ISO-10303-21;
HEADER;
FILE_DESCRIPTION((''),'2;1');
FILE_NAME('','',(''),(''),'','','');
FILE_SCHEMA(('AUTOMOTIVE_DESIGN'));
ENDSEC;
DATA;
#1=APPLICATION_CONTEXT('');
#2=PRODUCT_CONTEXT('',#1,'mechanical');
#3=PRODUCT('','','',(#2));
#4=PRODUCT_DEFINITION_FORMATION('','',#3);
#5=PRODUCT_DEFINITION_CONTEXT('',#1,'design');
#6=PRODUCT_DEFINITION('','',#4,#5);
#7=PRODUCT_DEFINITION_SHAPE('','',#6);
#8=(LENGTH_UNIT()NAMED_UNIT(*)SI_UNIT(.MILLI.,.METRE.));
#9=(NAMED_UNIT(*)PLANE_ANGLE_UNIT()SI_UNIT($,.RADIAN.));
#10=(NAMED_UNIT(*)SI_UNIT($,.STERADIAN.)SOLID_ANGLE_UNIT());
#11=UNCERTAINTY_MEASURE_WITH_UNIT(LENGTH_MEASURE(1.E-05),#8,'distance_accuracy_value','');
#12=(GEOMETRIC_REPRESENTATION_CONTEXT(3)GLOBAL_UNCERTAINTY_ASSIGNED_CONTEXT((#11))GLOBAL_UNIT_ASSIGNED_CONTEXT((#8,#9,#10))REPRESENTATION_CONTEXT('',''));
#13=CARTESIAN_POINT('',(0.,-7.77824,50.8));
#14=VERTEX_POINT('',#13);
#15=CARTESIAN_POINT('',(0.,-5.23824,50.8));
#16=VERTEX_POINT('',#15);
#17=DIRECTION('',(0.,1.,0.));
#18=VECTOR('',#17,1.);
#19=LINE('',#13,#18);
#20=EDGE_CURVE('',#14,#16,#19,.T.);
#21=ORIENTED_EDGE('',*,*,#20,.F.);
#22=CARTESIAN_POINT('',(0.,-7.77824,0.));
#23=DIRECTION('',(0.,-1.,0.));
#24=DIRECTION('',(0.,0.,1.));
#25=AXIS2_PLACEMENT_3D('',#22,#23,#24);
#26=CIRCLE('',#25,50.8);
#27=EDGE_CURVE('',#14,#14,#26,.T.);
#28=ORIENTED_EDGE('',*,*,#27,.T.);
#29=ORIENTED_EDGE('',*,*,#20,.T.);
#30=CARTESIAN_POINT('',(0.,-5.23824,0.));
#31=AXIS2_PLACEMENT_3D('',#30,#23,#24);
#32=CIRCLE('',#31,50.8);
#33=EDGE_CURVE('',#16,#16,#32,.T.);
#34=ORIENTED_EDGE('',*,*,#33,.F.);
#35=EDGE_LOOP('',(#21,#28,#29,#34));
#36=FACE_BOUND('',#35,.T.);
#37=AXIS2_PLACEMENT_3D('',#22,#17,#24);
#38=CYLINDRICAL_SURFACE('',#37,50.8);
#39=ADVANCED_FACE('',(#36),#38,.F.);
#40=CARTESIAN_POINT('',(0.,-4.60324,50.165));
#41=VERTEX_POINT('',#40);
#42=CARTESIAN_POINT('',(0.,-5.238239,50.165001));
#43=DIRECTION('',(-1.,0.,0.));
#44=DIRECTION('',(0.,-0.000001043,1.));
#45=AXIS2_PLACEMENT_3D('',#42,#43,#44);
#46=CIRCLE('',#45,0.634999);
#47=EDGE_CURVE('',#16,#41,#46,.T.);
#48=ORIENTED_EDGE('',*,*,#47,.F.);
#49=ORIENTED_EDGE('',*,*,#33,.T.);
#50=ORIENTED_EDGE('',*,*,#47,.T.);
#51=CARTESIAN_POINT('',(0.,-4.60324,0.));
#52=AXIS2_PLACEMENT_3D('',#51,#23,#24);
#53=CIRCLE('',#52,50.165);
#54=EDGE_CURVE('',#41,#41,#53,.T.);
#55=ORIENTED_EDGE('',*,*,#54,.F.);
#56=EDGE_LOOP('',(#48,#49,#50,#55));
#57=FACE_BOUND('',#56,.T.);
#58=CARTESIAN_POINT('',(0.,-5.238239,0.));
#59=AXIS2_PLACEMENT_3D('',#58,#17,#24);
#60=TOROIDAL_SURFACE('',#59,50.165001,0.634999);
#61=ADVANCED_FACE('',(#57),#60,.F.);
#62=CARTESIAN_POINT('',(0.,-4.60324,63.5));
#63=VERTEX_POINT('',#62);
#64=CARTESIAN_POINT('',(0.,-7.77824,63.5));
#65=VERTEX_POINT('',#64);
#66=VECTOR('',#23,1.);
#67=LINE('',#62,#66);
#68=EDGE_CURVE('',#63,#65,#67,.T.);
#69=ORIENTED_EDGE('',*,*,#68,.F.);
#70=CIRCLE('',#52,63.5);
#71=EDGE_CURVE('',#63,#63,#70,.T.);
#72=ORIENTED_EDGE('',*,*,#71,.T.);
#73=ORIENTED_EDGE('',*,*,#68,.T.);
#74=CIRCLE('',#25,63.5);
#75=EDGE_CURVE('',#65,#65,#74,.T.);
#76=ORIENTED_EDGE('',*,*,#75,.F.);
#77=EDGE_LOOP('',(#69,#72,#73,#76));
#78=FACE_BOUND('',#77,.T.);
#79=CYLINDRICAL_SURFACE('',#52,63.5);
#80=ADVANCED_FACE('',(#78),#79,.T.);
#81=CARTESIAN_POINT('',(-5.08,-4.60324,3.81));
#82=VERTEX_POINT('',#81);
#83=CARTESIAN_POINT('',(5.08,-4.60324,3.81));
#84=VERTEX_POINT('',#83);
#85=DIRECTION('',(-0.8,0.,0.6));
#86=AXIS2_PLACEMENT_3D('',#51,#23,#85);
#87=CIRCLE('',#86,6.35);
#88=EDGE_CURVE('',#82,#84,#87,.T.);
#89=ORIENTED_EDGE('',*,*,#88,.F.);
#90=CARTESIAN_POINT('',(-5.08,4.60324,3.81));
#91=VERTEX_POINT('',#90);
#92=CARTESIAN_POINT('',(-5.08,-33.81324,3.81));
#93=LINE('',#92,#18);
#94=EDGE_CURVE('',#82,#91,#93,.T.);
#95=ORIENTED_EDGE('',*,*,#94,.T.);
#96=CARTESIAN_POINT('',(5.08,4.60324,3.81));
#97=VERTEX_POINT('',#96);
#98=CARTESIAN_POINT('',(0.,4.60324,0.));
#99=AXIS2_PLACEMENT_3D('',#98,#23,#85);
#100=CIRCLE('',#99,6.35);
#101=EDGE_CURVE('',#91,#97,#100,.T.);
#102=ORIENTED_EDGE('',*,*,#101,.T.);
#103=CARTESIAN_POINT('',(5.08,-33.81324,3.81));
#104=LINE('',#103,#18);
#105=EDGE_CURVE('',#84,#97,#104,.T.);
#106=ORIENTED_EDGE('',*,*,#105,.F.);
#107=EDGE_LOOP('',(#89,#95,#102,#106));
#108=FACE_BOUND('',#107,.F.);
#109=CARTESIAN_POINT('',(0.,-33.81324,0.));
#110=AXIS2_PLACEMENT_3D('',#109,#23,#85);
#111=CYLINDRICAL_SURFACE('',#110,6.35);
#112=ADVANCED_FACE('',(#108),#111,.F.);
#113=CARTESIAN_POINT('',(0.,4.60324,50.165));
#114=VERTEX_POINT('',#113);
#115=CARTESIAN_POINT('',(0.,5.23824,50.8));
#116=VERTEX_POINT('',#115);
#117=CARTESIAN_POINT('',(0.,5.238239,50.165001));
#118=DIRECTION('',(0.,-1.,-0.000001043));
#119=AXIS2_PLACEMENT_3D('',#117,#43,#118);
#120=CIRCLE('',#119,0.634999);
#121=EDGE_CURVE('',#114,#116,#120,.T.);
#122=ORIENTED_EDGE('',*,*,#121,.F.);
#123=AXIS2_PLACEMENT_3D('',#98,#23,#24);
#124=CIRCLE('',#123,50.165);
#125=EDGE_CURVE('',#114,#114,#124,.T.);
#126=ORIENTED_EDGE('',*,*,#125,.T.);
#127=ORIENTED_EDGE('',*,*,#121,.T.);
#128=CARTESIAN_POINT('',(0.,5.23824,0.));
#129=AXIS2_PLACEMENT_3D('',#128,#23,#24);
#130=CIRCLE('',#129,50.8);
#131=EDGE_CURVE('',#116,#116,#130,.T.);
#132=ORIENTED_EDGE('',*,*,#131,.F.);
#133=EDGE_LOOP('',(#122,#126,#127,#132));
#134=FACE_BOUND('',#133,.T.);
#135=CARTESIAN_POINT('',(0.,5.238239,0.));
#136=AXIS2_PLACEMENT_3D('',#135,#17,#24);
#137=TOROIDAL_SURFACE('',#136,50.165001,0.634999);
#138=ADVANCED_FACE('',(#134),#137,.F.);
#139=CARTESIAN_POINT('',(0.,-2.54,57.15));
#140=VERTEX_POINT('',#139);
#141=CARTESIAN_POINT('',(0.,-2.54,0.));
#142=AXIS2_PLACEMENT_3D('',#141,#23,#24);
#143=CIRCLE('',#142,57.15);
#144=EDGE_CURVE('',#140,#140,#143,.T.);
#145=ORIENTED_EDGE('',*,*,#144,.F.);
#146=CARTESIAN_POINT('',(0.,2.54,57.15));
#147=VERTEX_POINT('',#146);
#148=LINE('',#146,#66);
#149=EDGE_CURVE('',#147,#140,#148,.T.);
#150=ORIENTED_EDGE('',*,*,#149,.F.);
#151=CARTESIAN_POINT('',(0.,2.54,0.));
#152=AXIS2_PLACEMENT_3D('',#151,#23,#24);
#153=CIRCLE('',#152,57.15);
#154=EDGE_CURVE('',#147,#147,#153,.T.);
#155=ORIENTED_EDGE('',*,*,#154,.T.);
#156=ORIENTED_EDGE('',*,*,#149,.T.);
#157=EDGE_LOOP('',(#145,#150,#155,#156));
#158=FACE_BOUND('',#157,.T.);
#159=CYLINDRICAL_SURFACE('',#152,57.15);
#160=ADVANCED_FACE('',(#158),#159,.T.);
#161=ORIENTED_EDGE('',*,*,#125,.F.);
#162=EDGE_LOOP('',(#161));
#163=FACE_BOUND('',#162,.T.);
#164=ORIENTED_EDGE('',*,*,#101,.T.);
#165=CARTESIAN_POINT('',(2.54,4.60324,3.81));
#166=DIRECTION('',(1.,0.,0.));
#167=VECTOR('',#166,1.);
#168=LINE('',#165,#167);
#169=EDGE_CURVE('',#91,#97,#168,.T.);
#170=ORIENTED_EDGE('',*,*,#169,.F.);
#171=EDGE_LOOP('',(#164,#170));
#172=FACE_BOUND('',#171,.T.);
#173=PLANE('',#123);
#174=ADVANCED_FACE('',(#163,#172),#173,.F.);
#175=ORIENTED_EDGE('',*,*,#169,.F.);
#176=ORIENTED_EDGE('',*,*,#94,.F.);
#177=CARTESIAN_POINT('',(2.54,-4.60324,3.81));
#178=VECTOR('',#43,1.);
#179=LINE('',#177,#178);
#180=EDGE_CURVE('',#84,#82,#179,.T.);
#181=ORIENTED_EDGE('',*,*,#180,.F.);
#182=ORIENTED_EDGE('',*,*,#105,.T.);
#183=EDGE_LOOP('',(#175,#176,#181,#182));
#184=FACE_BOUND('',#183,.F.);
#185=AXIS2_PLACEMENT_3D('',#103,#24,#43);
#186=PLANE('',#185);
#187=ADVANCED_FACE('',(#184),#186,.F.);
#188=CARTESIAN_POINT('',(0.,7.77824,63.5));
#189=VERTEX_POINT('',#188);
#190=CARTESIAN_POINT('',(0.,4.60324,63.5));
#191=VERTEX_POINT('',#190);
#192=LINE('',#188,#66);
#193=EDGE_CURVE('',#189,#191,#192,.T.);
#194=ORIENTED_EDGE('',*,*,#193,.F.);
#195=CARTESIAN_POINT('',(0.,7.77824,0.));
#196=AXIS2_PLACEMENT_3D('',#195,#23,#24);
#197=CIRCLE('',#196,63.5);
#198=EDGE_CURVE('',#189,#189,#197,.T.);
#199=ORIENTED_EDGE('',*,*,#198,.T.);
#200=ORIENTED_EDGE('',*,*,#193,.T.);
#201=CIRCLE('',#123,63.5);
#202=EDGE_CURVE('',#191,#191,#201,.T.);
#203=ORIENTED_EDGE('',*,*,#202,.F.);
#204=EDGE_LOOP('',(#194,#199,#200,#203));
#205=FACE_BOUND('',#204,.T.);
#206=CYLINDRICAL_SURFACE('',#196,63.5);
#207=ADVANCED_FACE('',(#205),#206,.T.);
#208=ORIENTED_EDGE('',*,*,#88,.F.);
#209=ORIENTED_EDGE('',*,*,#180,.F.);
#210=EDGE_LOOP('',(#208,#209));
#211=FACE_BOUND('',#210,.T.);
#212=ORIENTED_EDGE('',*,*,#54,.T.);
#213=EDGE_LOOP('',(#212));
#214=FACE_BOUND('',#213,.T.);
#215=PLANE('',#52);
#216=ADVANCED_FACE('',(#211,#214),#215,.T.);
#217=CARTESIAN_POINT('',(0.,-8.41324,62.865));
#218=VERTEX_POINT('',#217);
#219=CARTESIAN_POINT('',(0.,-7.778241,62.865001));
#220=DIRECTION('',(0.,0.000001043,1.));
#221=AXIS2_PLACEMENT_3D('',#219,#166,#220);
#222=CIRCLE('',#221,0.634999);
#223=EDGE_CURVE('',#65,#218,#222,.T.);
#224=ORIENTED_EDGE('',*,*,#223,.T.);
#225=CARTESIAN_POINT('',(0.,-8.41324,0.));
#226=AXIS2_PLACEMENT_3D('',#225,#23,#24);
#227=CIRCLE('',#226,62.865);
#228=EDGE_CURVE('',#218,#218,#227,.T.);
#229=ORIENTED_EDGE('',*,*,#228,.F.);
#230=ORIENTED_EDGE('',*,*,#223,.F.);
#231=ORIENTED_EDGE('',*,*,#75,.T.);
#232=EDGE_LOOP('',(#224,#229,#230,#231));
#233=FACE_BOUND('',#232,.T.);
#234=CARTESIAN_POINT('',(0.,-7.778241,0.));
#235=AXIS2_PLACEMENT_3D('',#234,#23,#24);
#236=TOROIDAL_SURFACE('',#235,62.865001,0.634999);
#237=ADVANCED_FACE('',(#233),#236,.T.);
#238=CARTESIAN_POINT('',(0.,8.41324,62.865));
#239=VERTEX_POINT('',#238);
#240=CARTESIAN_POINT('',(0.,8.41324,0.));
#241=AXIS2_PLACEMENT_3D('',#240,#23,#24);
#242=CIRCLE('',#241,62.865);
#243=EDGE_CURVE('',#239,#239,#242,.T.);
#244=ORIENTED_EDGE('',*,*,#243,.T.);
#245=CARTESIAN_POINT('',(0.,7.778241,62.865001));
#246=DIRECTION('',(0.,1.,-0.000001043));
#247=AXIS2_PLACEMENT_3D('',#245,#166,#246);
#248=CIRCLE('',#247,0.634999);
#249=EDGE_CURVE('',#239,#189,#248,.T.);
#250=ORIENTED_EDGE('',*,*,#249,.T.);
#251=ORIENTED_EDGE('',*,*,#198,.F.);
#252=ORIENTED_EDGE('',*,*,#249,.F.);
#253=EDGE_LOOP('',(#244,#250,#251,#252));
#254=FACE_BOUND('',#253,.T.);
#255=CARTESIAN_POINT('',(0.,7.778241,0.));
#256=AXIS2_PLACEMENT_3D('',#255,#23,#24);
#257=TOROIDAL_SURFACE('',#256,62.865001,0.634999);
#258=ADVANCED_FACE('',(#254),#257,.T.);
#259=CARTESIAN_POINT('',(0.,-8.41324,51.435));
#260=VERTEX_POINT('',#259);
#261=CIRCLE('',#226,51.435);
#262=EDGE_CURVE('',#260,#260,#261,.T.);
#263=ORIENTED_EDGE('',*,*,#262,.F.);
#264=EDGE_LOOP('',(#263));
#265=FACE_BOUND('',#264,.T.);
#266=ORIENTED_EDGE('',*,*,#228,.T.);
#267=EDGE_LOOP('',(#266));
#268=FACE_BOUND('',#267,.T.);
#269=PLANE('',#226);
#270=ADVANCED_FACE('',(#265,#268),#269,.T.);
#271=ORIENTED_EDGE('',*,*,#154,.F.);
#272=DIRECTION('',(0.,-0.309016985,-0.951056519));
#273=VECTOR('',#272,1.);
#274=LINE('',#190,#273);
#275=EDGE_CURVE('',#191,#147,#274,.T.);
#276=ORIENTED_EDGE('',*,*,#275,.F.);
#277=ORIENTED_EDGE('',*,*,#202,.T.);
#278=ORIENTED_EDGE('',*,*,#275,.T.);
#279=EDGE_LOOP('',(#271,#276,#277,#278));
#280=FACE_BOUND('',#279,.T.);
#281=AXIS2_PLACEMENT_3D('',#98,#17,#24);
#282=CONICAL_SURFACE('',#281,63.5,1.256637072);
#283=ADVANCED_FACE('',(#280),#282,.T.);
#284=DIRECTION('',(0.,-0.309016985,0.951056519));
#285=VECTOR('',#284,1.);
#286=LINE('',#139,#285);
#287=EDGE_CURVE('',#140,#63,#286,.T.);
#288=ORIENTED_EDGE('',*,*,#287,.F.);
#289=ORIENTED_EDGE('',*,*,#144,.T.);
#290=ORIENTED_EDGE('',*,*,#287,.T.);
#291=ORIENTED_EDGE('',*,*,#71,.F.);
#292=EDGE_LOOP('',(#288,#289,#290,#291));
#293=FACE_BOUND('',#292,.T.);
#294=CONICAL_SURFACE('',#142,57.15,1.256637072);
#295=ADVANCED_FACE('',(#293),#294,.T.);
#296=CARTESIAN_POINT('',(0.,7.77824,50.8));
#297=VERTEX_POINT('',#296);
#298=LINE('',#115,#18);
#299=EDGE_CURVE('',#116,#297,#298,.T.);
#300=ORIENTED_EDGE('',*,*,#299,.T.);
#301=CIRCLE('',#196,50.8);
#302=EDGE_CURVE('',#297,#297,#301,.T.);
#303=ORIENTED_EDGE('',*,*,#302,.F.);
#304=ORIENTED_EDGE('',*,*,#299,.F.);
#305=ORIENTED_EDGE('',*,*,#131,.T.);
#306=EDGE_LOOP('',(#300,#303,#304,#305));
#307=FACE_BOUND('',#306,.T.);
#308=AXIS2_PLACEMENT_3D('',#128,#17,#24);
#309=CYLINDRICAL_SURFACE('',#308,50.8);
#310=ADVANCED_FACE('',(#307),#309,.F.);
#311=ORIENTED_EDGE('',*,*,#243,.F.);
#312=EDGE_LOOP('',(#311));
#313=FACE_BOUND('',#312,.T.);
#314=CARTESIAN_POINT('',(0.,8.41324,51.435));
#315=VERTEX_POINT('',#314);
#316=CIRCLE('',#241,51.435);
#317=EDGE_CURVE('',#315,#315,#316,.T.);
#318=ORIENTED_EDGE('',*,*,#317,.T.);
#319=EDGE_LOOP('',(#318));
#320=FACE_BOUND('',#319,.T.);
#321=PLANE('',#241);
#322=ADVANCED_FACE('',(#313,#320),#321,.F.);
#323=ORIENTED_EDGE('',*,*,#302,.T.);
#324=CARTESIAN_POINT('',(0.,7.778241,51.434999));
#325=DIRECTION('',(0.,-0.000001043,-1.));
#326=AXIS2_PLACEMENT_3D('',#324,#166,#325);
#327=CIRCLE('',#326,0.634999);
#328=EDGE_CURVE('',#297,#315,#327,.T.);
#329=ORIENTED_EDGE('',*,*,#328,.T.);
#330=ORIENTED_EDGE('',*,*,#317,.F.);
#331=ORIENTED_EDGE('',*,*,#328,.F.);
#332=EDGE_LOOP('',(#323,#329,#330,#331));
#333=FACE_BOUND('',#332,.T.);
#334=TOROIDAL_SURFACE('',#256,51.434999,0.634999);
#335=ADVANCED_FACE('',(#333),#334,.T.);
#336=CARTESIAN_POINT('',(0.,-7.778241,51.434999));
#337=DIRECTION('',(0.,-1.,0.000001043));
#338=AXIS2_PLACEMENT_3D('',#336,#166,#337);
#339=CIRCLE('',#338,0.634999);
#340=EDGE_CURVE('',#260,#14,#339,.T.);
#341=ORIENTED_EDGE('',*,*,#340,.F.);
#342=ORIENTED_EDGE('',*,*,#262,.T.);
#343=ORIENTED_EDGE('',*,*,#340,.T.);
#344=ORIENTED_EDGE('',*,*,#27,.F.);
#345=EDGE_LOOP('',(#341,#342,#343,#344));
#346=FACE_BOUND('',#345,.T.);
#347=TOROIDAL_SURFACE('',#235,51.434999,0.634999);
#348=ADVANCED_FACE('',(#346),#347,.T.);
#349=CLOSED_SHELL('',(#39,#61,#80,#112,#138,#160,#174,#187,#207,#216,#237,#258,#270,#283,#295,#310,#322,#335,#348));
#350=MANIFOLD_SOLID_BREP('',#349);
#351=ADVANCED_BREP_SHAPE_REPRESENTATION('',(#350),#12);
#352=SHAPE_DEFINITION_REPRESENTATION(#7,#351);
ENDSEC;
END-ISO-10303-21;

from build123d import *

# Parameters (mm, degrees)
F5_DEPTH = 42.22748


with BuildPart() as f2:
    # F0 (on Right) → F2 (revolve)
    with BuildSketch(Plane.YZ):
        with BuildLine():
            Line((2.54, 57.15), (0, 57.15))
            Line((0, 57.15), (-2.54, 57.15))
            Line((-2.54, 57.15), (-4.60324, 63.5))
            Line((-4.60324, 63.5), (-7.77824, 63.5))
            ThreePointArc((-7.77824, 63.5), (-8.227253, 63.314013), (-8.41324, 62.865))
            Line((-8.41324, 62.865), (-8.41324, 51.435))
            ThreePointArc((-8.41324, 51.435), (-8.227253, 50.985987), (-7.77824, 50.8))
            Line((-7.77824, 50.8), (-5.23824, 50.8))
            ThreePointArc((-5.23824, 50.8), (-4.789227, 50.614013), (-4.60324, 50.165))
            Line((-4.60324, 50.165), (-4.60324, 6.35))
            Line((-4.60324, 6.35), (-4.60324, 0))
            Line((-4.60324, 0), (4.60324, 0))
            Line((4.60324, 0), (4.60324, 6.35))
            Line((4.60324, 6.35), (4.60324, 50.165))
            ThreePointArc((4.60324, 50.165), (4.789227, 50.614013), (5.23824, 50.8))
            Line((5.23824, 50.8), (7.77824, 50.8))
            ThreePointArc((7.77824, 50.8), (8.227253, 50.985987), (8.41324, 51.435))
            Line((8.41324, 51.435), (8.41324, 62.865))
            ThreePointArc((8.41324, 62.865), (8.227253, 63.314013), (7.77824, 63.5))
            Line((7.77824, 63.5), (4.60324, 63.5))
            Line((4.60324, 63.5), (2.54, 57.15))
        make_face()
    revolve(axis=Axis((0, -14.110391, 0), (0, -1, 0)))

    # F4 (on offset) → F5 (cut, through all)
    with BuildSketch(Plane.XZ.offset(33.81324)):
        with BuildLine():
            Line((5.08, 3.81), (-5.08, 3.81))
            ThreePointArc((-5.08, 3.81), (0, -6.35), (5.08, 3.81))
        make_face()
    extrude(amount=-F5_DEPTH, mode=Mode.SUBTRACT)


solid = f2.part
